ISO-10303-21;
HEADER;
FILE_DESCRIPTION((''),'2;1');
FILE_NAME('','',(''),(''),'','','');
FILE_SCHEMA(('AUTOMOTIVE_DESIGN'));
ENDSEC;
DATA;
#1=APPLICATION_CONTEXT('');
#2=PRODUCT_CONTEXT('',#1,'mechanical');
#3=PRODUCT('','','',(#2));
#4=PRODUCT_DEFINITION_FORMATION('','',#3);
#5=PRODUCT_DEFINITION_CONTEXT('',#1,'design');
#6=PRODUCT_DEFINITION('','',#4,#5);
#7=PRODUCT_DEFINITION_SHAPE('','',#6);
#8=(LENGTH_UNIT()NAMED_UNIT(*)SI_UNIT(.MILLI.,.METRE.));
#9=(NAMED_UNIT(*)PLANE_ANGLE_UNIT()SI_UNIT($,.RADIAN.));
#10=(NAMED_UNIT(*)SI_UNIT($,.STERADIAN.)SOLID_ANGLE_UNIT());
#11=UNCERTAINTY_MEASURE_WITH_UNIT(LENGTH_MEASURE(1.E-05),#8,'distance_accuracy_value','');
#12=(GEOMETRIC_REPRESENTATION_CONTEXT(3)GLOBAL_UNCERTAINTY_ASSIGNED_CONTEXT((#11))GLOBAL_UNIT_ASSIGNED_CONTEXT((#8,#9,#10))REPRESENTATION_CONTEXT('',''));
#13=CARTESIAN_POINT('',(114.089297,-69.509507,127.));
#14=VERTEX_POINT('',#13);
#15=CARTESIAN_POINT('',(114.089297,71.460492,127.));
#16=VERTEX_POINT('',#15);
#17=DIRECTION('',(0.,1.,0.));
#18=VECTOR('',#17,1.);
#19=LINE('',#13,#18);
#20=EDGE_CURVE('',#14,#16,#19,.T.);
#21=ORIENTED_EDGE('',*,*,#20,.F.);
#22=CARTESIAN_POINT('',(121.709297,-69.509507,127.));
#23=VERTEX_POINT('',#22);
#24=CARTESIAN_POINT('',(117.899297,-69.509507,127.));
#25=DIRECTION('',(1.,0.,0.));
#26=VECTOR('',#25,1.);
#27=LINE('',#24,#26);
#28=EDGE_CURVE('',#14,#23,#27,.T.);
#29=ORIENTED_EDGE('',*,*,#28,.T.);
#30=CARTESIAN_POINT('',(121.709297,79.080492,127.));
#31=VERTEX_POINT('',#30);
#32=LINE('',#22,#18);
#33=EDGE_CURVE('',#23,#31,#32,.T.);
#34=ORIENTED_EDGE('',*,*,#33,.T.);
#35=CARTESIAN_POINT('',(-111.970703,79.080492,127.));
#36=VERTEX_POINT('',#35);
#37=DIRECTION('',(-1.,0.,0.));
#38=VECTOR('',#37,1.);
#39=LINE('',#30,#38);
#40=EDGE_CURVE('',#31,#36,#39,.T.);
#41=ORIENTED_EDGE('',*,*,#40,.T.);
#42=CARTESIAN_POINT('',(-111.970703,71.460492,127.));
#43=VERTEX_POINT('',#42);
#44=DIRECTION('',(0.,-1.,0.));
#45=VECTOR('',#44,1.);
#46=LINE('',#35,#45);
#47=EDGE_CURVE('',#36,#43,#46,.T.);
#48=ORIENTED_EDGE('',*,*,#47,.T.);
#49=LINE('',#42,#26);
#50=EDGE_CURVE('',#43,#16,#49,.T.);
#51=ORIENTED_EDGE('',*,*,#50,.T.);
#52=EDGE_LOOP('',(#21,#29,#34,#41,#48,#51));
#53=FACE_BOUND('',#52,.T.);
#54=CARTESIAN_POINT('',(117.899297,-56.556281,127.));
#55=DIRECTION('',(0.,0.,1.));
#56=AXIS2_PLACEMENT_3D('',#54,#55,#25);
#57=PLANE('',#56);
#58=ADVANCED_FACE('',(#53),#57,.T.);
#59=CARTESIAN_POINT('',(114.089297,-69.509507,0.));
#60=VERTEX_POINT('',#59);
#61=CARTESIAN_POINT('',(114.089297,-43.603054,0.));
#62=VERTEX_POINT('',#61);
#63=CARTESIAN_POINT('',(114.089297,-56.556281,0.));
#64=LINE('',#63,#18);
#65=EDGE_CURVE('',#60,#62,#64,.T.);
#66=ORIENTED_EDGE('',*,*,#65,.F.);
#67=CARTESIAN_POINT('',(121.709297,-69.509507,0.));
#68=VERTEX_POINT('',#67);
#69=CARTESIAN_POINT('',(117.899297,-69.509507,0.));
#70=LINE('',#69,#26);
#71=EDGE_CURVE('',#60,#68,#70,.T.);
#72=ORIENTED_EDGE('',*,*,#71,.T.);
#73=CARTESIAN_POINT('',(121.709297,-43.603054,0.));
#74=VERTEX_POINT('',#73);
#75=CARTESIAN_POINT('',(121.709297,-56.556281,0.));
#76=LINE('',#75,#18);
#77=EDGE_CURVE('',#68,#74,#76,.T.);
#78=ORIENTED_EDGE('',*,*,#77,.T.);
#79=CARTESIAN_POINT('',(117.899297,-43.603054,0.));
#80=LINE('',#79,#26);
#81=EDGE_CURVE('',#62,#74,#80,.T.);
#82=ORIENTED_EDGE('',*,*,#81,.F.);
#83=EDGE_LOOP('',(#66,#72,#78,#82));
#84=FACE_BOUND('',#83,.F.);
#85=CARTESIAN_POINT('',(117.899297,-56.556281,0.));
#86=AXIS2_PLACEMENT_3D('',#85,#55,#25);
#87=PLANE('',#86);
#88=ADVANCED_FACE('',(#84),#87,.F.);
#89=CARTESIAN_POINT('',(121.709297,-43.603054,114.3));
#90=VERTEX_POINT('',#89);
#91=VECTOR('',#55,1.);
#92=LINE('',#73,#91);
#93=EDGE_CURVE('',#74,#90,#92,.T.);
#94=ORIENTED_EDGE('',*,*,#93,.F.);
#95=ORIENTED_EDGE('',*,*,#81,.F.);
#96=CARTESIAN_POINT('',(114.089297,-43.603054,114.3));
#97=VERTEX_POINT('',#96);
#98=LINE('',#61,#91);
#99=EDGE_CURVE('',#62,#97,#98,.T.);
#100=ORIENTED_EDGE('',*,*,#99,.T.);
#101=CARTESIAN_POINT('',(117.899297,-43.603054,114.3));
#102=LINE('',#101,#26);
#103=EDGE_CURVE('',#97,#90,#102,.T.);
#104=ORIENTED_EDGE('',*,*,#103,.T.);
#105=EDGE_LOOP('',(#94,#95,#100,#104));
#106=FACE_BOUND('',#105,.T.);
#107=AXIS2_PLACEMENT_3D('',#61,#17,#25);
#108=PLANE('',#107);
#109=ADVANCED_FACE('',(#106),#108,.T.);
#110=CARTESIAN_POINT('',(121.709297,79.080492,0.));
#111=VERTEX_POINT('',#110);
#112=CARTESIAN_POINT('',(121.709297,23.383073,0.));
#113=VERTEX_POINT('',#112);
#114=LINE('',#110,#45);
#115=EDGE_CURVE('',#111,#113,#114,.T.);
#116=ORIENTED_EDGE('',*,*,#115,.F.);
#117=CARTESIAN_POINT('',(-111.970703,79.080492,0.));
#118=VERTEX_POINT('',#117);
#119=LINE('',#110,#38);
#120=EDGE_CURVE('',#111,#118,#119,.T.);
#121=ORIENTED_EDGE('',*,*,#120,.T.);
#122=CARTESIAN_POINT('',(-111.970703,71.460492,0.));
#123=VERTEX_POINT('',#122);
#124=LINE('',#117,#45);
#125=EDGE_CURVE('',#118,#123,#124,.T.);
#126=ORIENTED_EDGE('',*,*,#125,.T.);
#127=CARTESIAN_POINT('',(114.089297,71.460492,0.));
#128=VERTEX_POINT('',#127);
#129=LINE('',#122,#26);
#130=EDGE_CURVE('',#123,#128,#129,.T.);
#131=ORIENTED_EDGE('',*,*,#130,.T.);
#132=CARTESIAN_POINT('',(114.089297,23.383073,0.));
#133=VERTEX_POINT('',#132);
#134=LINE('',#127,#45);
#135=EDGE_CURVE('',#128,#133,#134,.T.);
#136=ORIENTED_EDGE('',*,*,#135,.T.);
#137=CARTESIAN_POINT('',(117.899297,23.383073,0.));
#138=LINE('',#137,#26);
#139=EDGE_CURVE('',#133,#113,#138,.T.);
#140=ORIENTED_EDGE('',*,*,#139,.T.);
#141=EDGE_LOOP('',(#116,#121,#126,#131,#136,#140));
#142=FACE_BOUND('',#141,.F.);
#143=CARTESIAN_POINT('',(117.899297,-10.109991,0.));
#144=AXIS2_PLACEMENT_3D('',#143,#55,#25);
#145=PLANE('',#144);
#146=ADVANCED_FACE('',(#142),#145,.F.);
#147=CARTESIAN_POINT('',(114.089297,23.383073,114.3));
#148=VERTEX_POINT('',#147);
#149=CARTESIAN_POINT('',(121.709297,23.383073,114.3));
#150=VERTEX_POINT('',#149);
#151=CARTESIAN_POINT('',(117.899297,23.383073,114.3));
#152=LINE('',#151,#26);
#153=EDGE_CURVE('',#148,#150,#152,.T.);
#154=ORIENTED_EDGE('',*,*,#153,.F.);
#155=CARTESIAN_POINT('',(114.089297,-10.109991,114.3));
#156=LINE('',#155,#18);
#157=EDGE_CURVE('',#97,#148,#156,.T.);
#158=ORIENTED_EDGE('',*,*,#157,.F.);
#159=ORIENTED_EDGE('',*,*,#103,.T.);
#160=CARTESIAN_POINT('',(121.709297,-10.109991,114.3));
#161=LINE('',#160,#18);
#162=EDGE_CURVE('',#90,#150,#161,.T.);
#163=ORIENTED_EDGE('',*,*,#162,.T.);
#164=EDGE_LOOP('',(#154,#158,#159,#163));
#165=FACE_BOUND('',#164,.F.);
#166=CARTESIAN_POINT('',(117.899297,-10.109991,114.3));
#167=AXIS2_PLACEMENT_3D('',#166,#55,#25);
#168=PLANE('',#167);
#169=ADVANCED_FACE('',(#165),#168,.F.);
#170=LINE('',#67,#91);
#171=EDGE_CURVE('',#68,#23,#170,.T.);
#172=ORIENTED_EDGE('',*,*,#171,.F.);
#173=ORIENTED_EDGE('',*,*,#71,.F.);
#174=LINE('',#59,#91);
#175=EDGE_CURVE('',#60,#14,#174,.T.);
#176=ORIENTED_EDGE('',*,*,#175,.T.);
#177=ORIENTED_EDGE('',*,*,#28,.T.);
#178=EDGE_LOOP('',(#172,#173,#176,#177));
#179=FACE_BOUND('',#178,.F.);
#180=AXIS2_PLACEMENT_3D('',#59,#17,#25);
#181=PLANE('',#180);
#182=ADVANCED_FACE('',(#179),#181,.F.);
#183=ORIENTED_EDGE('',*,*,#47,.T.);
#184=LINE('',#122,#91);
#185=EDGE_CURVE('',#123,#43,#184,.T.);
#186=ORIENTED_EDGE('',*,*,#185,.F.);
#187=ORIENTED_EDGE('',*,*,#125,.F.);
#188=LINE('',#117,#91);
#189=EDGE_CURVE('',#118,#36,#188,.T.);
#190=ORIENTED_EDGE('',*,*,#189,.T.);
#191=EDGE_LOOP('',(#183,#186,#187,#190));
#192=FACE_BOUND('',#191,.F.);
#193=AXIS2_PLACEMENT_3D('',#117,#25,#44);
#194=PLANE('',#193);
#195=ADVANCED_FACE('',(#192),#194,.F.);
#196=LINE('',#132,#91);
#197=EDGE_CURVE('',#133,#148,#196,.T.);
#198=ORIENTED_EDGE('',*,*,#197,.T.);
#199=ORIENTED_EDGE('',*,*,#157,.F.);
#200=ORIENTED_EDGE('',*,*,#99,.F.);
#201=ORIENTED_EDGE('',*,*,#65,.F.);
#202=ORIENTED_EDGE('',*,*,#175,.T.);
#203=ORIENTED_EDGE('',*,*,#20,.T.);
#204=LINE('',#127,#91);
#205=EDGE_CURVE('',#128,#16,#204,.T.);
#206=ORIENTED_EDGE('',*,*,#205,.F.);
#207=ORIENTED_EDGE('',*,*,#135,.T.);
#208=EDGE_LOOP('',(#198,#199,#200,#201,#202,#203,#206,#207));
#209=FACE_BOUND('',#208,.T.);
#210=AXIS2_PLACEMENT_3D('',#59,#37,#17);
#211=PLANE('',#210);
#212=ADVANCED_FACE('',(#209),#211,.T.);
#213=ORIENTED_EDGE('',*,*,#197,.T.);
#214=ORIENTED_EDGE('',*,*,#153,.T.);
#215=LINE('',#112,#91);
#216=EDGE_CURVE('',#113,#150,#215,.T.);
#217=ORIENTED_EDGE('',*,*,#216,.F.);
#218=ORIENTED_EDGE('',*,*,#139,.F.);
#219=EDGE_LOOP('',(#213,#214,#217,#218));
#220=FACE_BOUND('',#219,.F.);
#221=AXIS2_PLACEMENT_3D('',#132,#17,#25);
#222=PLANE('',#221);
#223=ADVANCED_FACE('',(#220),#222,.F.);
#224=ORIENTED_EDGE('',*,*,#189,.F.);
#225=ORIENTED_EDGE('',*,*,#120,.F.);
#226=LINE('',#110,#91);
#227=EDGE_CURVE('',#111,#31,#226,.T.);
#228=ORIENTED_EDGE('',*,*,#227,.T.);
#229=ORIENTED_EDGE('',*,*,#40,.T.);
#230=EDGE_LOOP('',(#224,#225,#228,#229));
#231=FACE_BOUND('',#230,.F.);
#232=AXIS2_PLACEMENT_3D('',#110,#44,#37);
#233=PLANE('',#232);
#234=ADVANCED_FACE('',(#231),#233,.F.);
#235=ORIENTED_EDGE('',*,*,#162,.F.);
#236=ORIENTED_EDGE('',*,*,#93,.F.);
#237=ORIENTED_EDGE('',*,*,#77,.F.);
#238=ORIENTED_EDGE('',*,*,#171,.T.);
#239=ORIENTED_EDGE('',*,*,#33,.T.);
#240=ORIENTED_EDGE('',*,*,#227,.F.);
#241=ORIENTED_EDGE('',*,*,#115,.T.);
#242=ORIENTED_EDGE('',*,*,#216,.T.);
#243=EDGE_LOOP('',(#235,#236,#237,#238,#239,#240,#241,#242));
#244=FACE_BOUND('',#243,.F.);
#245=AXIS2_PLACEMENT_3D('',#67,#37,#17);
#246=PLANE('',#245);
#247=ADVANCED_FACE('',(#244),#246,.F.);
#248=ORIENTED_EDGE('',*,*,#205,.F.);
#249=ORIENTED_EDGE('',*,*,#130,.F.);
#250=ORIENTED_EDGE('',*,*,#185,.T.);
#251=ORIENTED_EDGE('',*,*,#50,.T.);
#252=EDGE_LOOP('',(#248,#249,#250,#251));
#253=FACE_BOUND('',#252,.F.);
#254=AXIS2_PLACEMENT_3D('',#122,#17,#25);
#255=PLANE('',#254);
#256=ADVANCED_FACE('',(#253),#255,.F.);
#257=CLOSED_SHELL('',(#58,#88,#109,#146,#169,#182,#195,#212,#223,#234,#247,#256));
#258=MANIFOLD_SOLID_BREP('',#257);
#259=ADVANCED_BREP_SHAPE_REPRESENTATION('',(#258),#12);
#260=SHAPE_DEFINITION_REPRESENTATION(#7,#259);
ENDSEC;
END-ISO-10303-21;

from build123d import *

# Parameters (mm, degrees)
F0_W     = 7.62
F0_H     = 48.07742
F1_DEPTH = 127
F0_H_2   = 66.986127
F2_DEPTH = 127
F3_DEPTH = 114.3
F0_H_3   = 25.906453
F4_DEPTH = 127


with BuildPart() as f1:
    # F0 (on Top) → F1 (new body)
    with BuildSketch(Plane.XY):
        Polygon((121.709297, 79.080492), (-111.970703, 79.080492), (-111.970703, 71.460492), (114.089297, 71.460492), (121.709297, 71.460492), align=None)
        with Locations((117.899297, 47.421782)):
            Rectangle(F0_W, F0_H)
    extrude(amount=F1_DEPTH)

    # F0 (on Top) → F2 (join)
    with BuildSketch(Plane.XY):
        with Locations((117.899297, -10.109991)):
            Rectangle(F0_W, F0_H_2)
    extrude(amount=F2_DEPTH)

    # F0 (on Top) → F3 (cut)
    with BuildSketch(Plane.XY):
        with Locations((117.899297, -10.109991)):
            Rectangle(F0_W, F0_H_2)
    extrude(amount=F3_DEPTH, mode=Mode.SUBTRACT)

    # F0 (on Top) → F4 (join)
    with BuildSketch(Plane.XY):
        with Locations((117.899297, -56.556281)):
            Rectangle(F0_W, F0_H_3)
    extrude(amount=F4_DEPTH)


solid = f1.part
